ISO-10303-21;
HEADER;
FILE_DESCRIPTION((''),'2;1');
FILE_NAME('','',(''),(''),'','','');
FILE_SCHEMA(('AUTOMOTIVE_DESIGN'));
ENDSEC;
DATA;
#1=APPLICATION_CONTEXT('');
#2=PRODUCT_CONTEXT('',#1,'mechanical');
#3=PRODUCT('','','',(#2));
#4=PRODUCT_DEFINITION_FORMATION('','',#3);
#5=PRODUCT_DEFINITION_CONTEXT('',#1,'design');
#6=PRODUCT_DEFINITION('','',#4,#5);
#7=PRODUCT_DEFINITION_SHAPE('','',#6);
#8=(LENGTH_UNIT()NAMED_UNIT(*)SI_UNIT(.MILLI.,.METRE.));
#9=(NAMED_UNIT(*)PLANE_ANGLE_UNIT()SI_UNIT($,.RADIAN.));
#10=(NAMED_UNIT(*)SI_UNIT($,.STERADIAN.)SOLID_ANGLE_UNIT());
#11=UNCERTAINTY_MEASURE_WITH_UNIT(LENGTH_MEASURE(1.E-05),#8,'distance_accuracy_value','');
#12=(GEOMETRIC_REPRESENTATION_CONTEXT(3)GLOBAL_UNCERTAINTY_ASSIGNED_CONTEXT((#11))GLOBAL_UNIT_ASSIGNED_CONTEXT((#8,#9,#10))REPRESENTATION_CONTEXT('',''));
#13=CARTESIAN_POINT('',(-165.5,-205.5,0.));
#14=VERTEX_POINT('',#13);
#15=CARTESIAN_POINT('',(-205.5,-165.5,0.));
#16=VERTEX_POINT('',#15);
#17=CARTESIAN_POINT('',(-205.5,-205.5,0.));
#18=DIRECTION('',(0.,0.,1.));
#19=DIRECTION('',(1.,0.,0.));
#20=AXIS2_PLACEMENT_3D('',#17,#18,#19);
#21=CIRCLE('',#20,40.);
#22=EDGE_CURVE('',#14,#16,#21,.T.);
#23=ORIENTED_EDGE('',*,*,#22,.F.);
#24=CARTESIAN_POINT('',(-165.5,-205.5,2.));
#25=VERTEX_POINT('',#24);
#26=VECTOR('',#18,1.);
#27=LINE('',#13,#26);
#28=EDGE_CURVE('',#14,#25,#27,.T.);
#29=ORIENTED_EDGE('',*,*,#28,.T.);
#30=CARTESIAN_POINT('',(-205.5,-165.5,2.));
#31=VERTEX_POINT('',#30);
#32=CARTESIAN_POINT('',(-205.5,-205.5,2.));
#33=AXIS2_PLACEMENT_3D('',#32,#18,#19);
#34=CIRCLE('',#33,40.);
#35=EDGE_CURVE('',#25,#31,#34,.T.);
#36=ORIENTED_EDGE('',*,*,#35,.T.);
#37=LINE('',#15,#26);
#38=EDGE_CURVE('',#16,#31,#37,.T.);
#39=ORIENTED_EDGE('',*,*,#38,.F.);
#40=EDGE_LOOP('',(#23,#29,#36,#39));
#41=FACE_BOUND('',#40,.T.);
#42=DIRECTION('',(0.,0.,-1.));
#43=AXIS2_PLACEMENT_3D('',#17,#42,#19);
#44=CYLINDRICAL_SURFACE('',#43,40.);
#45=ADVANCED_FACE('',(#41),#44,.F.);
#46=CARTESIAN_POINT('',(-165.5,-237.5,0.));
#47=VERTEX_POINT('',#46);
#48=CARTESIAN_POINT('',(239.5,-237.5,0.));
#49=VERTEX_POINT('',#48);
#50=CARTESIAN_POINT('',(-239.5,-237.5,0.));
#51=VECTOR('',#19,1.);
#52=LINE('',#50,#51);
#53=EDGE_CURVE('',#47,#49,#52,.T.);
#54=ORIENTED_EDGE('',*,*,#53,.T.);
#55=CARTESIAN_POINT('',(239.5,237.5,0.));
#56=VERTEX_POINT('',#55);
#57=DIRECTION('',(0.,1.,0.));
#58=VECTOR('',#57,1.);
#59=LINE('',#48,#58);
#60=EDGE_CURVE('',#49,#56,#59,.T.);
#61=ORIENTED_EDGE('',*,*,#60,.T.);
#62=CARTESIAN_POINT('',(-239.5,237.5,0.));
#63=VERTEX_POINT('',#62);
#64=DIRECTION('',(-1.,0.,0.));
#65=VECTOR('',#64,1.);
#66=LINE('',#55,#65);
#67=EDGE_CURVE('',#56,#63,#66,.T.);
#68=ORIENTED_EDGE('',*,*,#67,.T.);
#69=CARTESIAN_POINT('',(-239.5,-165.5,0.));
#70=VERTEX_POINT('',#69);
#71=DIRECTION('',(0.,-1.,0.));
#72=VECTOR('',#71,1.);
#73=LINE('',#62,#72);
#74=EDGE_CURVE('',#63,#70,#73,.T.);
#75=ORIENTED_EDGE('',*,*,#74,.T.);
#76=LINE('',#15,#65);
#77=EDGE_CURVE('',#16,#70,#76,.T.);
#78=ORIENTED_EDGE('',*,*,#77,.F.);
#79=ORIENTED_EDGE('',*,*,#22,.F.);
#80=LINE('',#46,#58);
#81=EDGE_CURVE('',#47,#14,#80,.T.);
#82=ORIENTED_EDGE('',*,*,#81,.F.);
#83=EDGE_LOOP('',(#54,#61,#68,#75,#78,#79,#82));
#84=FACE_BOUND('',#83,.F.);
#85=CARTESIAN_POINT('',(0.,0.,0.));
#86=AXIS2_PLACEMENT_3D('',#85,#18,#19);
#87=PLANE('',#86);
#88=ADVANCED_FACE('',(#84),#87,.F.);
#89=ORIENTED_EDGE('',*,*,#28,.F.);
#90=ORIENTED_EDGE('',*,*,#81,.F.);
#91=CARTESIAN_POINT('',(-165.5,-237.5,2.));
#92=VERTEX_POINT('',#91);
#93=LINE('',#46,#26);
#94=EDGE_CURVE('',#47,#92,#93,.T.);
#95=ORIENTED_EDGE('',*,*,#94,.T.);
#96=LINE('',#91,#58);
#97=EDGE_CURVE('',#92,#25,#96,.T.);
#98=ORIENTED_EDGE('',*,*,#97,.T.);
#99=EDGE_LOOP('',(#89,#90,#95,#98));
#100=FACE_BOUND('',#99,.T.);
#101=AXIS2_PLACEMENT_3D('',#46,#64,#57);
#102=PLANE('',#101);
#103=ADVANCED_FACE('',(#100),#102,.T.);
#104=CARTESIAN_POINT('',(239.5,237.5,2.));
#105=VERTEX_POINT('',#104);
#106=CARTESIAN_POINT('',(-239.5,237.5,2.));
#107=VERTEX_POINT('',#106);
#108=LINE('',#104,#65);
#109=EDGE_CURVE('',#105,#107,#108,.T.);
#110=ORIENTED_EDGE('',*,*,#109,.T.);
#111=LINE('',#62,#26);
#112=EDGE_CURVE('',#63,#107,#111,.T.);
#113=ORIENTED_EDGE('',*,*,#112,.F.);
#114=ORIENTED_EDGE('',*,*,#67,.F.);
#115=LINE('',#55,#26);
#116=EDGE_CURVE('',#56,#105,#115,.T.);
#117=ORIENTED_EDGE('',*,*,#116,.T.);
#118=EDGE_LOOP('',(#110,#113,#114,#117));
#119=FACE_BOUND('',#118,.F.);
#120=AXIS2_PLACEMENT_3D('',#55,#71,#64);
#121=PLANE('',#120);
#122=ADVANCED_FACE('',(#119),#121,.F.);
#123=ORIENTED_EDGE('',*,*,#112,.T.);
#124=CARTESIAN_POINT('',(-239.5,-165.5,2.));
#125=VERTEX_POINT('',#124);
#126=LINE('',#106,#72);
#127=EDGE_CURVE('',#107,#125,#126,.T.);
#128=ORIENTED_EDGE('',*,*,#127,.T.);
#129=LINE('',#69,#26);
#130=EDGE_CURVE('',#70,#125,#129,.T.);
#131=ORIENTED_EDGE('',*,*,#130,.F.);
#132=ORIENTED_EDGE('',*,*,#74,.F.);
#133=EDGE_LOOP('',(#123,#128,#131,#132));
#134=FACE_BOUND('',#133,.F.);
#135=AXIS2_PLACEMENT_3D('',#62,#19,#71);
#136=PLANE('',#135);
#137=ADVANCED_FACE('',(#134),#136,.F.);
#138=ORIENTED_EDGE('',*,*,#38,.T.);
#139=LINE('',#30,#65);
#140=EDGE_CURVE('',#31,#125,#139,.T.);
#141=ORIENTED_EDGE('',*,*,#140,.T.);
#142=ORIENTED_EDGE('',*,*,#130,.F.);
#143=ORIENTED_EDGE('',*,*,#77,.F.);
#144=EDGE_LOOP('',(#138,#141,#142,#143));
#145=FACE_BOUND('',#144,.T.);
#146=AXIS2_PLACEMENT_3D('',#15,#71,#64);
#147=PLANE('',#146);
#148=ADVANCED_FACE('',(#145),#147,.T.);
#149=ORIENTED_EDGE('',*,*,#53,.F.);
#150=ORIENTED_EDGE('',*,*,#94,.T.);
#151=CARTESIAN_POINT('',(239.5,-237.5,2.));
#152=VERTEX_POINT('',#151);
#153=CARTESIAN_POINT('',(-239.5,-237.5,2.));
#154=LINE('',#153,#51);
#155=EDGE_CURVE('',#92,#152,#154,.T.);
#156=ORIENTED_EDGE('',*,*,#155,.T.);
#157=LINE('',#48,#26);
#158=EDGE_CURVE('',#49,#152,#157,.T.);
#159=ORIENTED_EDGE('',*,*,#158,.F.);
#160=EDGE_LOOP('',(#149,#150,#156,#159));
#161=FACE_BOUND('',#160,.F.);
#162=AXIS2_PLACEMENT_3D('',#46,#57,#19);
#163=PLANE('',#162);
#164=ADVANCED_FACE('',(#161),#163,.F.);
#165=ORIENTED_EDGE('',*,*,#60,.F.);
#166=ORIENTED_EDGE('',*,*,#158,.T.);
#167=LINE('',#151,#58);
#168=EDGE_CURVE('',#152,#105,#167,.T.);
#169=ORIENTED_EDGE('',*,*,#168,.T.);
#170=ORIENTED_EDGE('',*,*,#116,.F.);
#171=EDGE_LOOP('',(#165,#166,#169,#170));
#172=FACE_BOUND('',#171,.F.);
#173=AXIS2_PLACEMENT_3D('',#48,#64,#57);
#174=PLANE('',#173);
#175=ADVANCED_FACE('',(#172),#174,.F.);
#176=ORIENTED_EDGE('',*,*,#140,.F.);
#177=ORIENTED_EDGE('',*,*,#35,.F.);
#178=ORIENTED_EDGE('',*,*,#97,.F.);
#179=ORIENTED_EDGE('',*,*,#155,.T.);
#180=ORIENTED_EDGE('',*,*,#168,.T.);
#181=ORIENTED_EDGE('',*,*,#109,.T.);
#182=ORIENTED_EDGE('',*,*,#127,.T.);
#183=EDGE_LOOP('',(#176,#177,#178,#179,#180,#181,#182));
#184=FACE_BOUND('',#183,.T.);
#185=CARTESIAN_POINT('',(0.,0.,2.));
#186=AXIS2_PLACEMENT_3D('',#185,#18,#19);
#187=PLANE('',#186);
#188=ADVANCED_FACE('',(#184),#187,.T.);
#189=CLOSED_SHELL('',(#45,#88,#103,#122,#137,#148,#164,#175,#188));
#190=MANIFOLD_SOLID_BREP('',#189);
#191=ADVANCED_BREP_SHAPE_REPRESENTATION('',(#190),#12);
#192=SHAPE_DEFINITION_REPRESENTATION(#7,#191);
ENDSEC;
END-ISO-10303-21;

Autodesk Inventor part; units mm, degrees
ref_plane "YZ Plane" through (0, 0, 0) normal (1, 0, 0) x (0, 1, 0)
ref_plane "XZ Plane" through (0, 0, 0) normal (0, 1, 0) x (-1, 0, 0)
ref_plane "XY Plane" through (0, 0, 0) normal (0, 0, 1) x (1, 0, 0)
sketch "Sketch1" plane through (0, 0, 0) normal (0, 0, 1) x (1, 0, 0)
  line L0 (239.5, 237.5) -> (-239.5, -237.5) construction
  line L1 (-239.5, -237.5) -> (239.5, -237.5)
  line L2 (239.5, -237.5) -> (239.5, 237.5)
  line L3 (239.5, 237.5) -> (-239.5, 237.5)
  line L4 (-239.5, 237.5) -> (-239.5, -237.5)
  line L5 (-239.5, -237.5) -> (239.5, 237.5) construction
  line L6 (239.5, -237.5) -> (-239.5, 237.5) construction
  line L7 (-165.5, -237.5) -> (-165.5, -205.5)
  arc A0 (-165.5, -205.5) -> (-205.5, -165.5) centre (-205.5, -205.5) ccw
  line L8 (-205.5, -165.5) -> (-239.5, -165.5)
  point P0 (0, 0)
  dimension "d2" = 479
  dimension "d18" = 475
  dimension "d21" = 40
  dimension "d22" = 72
  dimension "d23" = 74
extrude "Plate1" add sketch "Sketch1" along normal blind 2 contours L7 A0 L8 L4 L3 L2 L1
equation "\"d3\" = Thickness"
equation "\"BendRadius\" = Thickness"
equation "\"BendReliefWidth\" = Thickness"
equation "\"BendReliefDepth\" = 0.5 * Thickness"
equation "\"CornerReliefSize\" = 4 * Thickness"
equation "\"MinimumRemnant\" = 2 * Thickness"
equation "\"TransitionRadius\" = BendRadius"
equation "\"JacobiRadiusSize\" = BendRadius"
equation "\"GapSize\" = Thickness"
equation "\"Thickness\" = 2"
properties part number "PNS waste water bin 07"
